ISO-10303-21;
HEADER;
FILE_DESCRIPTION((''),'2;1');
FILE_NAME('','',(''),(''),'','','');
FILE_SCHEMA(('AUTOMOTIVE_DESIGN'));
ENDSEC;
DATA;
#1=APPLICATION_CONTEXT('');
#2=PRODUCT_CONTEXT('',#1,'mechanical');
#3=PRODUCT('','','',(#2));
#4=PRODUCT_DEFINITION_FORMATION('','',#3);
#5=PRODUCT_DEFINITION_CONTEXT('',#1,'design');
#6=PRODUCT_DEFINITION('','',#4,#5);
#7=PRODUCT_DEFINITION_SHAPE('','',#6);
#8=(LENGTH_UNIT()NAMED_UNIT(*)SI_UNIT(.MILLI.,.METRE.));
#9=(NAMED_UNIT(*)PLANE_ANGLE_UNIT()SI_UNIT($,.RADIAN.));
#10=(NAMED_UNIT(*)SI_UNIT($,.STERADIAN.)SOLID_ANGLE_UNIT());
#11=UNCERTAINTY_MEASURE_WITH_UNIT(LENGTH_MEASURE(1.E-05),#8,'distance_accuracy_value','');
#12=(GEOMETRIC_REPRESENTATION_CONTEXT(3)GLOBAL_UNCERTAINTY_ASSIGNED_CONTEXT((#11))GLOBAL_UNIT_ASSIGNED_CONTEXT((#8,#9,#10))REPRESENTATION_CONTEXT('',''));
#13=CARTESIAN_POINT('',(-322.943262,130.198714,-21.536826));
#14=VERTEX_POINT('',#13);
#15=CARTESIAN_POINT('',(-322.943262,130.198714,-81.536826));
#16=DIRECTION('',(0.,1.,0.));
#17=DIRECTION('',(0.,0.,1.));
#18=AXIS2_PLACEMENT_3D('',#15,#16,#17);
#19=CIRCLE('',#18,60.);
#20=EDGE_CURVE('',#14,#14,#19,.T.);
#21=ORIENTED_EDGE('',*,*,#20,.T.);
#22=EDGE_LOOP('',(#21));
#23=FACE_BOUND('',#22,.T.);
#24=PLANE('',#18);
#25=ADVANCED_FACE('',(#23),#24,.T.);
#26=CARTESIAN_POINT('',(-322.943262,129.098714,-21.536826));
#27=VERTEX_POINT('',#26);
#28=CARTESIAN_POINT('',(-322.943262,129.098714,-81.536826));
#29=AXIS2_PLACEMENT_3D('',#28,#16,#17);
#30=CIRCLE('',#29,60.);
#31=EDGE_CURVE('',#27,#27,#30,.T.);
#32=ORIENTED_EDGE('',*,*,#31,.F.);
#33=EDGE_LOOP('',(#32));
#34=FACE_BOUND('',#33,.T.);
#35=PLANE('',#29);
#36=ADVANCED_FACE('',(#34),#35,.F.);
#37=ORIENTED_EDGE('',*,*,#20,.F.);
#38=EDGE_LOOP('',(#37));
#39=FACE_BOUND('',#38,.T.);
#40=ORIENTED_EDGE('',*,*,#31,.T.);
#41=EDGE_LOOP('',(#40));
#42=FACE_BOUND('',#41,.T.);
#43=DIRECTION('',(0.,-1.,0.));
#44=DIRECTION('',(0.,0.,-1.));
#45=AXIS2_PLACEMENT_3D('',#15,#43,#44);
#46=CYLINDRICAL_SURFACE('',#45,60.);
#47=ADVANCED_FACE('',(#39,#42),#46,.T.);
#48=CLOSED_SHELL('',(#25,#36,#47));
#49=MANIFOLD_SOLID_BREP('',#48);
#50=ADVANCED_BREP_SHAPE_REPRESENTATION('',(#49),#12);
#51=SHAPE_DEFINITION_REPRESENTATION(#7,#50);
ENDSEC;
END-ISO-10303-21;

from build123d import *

# Parameters (mm, degrees)
ESQUISSE1_R        = 60
BOSS_EXTRU_1_DEPTH = 1.1


with BuildPart() as part:
    # Esquisse1 → Boss.-Extru.1 (new body)
    with BuildSketch(Plane(origin=(0, 129.098713563, 0), x_dir=(-1, 0, 0), z_dir=(0, 1, 0))):
        with Locations((322.943261647, -81.536826026)):
            Circle(ESQUISSE1_R)
    extrude(amount=BOSS_EXTRU_1_DEPTH)


solid = part.part
